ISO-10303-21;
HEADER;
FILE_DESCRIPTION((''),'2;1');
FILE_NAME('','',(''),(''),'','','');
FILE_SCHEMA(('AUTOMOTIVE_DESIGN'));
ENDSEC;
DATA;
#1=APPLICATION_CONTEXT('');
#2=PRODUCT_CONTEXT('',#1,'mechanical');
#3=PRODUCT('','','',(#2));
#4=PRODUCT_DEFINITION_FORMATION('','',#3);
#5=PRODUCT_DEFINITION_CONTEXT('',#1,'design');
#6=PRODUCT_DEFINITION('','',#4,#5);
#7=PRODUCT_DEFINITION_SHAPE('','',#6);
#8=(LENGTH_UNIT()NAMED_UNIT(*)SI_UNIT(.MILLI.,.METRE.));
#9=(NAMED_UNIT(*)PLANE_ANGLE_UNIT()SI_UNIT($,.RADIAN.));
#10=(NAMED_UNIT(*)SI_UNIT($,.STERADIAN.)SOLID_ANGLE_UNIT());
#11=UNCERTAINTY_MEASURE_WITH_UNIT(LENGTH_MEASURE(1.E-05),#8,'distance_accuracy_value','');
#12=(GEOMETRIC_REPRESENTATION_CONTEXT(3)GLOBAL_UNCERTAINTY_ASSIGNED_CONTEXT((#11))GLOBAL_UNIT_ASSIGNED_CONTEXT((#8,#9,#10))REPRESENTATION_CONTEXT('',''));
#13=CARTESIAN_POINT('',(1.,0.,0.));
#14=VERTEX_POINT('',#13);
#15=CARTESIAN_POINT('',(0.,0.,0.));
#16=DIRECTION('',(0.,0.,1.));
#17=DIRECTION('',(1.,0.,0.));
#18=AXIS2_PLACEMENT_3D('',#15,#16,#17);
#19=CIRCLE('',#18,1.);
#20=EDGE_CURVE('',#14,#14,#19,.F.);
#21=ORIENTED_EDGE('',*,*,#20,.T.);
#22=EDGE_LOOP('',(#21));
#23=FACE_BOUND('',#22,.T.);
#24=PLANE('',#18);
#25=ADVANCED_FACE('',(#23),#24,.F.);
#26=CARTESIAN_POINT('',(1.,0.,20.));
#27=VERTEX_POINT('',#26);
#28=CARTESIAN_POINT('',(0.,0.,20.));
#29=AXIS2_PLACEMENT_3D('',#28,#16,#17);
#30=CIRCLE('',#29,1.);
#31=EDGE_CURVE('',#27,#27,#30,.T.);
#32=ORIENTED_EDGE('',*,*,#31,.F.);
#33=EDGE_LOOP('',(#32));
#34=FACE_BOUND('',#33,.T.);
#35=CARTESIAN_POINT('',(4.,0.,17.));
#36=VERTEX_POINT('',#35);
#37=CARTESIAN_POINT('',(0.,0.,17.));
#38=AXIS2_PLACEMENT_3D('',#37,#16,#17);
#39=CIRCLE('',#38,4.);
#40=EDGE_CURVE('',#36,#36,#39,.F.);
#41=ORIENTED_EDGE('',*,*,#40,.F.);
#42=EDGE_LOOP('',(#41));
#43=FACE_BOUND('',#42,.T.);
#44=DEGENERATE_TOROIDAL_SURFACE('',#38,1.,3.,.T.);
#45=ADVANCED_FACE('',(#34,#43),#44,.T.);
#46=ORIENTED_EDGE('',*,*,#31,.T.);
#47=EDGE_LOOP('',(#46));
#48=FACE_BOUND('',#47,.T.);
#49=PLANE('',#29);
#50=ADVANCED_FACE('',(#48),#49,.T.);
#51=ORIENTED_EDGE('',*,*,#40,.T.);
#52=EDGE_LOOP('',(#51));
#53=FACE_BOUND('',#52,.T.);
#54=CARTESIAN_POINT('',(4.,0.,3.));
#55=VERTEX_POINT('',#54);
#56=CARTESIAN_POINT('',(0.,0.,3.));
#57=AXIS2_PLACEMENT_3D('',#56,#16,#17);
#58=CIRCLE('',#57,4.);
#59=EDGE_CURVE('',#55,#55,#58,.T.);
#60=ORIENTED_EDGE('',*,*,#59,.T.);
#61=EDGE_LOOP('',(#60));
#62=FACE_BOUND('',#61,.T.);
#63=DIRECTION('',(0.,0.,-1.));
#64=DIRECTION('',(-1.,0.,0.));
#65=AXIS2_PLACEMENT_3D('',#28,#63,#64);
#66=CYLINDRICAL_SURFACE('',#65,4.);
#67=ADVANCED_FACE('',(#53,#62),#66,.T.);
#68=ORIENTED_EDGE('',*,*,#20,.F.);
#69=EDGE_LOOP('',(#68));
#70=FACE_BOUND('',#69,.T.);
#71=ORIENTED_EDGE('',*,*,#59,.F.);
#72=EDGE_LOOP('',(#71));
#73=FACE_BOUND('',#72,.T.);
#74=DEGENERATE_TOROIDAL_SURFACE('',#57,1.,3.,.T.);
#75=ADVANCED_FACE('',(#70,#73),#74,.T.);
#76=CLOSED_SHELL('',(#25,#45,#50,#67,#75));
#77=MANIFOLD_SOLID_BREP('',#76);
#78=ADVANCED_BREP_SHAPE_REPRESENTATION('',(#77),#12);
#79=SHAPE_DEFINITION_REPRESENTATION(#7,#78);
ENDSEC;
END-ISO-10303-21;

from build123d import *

# Parameters (mm, degrees)
CROQUIS1_R              = 4
SALIENTE_EXTRUIR1_DEPTH = 20
REDONDEO1_R             = 3


with BuildPart() as part:
    # Croquis1 → Saliente-Extruir1 (new body)
    with BuildSketch(Plane.XY):
        Circle(CROQUIS1_R)
    extrude(amount=SALIENTE_EXTRUIR1_DEPTH)

    # Redondeo1
    redondeo1_edges = [part.edges().sort_by_distance(p)[0] for p in [
        (-4, 0, 0),
        (-4, 0, 20),
    ]]
    fillet(redondeo1_edges, radius=REDONDEO1_R)


solid = part.part
